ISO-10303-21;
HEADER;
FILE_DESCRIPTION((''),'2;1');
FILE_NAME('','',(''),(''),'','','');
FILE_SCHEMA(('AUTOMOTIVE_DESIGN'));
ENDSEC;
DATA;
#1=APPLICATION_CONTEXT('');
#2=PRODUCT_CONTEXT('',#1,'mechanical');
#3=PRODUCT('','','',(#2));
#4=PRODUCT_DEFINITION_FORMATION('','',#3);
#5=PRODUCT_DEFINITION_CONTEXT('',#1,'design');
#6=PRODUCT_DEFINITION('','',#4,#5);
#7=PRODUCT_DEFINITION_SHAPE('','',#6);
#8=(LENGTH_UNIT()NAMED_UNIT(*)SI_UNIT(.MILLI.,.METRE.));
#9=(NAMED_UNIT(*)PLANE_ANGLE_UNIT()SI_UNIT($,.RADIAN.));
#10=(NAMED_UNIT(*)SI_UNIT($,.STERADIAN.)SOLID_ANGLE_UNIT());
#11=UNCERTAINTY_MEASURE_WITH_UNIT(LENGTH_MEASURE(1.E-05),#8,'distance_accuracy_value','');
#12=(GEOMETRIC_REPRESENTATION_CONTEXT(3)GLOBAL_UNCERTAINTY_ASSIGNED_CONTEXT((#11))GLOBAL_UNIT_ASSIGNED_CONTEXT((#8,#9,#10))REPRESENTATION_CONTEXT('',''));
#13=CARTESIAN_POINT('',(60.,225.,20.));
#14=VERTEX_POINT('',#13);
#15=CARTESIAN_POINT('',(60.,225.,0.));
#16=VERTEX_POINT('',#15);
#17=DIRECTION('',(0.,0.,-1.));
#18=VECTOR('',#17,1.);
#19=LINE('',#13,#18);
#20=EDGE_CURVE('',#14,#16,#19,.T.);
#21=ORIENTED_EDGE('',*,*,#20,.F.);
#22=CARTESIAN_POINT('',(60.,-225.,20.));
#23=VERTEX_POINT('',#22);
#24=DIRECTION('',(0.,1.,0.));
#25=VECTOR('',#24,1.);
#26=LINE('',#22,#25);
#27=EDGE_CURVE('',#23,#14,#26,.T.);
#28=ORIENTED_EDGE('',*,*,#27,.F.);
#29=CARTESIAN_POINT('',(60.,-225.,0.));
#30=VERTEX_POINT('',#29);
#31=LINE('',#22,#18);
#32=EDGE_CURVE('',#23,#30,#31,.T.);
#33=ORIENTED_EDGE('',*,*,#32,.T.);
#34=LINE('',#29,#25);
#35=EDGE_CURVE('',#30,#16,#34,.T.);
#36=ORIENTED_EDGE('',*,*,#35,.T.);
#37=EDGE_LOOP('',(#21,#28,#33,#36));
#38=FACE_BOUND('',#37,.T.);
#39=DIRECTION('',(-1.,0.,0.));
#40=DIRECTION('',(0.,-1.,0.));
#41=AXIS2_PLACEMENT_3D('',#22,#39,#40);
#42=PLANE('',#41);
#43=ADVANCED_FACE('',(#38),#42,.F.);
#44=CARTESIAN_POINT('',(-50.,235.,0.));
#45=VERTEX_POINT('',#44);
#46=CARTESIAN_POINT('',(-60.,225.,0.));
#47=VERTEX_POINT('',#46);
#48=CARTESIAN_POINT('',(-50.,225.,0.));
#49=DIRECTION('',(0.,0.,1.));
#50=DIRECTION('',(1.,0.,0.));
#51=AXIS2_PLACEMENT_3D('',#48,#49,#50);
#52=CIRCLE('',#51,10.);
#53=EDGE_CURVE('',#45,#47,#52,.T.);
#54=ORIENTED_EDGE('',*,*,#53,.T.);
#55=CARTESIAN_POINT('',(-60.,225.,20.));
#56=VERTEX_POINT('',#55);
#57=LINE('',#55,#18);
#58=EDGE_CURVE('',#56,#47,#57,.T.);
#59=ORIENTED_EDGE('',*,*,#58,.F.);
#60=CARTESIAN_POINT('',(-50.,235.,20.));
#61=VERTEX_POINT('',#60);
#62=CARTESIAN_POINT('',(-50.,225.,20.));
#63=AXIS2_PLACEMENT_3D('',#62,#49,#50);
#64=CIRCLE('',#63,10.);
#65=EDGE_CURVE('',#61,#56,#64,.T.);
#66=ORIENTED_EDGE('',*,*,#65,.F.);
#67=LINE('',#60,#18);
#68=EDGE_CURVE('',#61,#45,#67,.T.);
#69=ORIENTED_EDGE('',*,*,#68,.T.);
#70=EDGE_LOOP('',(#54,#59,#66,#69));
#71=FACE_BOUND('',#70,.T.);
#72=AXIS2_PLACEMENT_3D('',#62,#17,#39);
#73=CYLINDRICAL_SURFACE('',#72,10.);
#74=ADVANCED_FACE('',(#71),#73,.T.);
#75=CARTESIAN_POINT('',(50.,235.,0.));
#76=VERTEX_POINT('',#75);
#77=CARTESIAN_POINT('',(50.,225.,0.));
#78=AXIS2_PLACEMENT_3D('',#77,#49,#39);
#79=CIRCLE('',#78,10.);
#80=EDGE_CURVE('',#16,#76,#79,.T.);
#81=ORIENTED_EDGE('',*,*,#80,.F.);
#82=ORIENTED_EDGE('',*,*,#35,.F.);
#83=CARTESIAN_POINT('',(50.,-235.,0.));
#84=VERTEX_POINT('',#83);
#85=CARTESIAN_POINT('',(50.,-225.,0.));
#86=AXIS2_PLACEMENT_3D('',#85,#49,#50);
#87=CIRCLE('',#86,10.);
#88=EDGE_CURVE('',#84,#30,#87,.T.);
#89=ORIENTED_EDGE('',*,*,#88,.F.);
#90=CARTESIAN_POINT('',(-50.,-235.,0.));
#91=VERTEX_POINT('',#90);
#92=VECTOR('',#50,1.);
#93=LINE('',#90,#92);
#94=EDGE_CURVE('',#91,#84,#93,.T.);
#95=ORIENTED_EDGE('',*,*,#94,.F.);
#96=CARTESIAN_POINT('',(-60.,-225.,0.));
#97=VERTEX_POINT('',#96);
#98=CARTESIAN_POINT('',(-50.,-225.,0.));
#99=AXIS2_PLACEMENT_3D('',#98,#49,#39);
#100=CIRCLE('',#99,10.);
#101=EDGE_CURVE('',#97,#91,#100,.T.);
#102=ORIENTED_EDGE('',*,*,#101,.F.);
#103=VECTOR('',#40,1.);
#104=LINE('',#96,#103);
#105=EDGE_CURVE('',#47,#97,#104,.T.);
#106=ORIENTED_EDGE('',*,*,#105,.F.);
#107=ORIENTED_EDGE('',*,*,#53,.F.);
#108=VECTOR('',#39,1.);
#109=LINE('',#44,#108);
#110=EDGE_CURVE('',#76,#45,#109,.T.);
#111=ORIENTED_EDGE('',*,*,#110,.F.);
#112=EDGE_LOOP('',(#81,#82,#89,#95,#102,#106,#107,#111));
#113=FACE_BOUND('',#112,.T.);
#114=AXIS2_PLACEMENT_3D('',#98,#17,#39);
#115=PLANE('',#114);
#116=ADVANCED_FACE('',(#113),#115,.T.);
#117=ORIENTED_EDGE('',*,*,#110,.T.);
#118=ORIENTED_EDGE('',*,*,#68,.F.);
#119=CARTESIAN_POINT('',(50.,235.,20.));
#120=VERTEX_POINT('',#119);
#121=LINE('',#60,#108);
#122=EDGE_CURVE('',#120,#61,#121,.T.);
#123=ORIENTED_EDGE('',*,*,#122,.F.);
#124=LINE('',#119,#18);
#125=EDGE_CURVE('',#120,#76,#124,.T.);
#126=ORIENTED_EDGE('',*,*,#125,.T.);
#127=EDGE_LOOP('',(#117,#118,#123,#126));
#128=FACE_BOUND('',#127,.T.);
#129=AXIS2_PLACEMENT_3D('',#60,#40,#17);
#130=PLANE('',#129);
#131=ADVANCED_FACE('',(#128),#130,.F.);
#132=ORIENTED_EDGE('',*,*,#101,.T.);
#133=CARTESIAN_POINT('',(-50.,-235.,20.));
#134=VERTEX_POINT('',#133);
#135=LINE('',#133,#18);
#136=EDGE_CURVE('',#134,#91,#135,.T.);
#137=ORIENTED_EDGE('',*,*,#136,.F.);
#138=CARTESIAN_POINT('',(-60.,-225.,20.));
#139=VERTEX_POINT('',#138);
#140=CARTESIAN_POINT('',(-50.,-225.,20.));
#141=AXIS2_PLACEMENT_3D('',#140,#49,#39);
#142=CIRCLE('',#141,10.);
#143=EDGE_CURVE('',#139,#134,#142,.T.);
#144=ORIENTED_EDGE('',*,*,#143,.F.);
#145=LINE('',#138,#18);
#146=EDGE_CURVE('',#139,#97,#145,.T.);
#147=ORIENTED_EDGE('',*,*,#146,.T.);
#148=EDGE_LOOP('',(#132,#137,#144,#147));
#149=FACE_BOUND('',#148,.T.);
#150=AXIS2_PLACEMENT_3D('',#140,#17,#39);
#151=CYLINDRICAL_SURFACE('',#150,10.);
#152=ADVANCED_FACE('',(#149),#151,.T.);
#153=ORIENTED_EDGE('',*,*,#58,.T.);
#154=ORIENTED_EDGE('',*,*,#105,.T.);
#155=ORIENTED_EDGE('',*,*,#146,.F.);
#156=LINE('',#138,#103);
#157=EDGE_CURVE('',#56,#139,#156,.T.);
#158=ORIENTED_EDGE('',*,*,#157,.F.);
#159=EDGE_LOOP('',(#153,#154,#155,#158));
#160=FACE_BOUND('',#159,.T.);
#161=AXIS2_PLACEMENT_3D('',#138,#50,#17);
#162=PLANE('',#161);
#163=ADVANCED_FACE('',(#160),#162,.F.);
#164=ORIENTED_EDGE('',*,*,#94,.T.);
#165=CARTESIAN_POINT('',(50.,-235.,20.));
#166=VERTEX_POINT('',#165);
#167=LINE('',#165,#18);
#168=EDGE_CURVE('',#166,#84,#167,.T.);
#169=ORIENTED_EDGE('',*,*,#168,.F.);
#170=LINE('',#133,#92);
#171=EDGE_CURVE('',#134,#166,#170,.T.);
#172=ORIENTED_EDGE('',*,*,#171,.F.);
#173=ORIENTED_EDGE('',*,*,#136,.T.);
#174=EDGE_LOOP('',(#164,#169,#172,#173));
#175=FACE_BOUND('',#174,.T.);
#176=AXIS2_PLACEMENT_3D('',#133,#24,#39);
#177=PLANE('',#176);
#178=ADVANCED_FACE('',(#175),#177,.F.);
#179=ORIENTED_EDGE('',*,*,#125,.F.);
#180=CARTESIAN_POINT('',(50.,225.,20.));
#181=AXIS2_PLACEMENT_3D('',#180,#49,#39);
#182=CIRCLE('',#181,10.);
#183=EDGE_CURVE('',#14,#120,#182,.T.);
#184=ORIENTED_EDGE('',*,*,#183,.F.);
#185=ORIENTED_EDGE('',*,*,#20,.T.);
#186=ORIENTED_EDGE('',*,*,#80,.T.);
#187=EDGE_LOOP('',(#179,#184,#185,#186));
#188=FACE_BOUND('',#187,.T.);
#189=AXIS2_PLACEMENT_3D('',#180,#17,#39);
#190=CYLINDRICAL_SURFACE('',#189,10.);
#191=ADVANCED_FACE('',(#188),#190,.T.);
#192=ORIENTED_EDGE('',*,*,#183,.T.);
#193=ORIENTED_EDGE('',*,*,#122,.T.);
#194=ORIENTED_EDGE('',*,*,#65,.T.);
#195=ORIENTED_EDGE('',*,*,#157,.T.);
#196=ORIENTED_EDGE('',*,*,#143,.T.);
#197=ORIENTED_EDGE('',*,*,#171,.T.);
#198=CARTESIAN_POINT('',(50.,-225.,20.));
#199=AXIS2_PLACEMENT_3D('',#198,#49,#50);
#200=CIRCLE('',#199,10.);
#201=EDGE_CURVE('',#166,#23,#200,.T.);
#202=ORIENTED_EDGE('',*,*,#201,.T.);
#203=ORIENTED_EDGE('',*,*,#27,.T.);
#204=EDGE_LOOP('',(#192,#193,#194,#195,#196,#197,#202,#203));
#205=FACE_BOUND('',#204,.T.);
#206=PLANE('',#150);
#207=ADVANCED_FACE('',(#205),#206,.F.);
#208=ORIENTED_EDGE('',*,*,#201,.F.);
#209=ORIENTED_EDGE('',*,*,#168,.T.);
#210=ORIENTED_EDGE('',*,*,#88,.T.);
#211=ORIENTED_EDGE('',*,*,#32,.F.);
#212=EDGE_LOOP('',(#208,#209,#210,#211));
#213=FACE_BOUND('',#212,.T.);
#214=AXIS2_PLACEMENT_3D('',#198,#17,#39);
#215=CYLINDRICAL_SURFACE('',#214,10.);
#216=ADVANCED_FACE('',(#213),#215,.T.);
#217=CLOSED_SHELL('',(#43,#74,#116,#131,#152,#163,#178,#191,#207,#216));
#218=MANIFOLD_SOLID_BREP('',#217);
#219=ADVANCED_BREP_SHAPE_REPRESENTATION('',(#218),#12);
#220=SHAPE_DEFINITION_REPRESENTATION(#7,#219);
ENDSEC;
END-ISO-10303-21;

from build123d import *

# Parameters (mm, degrees)
BOSS_EXTRUDE1_DEPTH = 20


with BuildPart() as part:
    # Sketch1 → Boss-Extrude1 (new body)
    with BuildSketch(Plane.XY):
        with BuildLine():
            Line((-50, -235), (50, -235))
            ThreePointArc((50, -235), (57.071067812, -232.071067812), (60, -225))
            Line((60, -225), (60, 225))
            ThreePointArc((60, 225), (57.071067812, 232.071067812), (50, 235))
            Line((50, 235), (-50, 235))
            ThreePointArc((-50, 235), (-57.071067812, 232.071067812), (-60, 225))
            Line((-60, 225), (-60, -225))
            ThreePointArc((-60, -225), (-57.071067812, -232.071067812), (-50, -235))
        make_face()
    extrude(amount=BOSS_EXTRUDE1_DEPTH)


solid = part.part
